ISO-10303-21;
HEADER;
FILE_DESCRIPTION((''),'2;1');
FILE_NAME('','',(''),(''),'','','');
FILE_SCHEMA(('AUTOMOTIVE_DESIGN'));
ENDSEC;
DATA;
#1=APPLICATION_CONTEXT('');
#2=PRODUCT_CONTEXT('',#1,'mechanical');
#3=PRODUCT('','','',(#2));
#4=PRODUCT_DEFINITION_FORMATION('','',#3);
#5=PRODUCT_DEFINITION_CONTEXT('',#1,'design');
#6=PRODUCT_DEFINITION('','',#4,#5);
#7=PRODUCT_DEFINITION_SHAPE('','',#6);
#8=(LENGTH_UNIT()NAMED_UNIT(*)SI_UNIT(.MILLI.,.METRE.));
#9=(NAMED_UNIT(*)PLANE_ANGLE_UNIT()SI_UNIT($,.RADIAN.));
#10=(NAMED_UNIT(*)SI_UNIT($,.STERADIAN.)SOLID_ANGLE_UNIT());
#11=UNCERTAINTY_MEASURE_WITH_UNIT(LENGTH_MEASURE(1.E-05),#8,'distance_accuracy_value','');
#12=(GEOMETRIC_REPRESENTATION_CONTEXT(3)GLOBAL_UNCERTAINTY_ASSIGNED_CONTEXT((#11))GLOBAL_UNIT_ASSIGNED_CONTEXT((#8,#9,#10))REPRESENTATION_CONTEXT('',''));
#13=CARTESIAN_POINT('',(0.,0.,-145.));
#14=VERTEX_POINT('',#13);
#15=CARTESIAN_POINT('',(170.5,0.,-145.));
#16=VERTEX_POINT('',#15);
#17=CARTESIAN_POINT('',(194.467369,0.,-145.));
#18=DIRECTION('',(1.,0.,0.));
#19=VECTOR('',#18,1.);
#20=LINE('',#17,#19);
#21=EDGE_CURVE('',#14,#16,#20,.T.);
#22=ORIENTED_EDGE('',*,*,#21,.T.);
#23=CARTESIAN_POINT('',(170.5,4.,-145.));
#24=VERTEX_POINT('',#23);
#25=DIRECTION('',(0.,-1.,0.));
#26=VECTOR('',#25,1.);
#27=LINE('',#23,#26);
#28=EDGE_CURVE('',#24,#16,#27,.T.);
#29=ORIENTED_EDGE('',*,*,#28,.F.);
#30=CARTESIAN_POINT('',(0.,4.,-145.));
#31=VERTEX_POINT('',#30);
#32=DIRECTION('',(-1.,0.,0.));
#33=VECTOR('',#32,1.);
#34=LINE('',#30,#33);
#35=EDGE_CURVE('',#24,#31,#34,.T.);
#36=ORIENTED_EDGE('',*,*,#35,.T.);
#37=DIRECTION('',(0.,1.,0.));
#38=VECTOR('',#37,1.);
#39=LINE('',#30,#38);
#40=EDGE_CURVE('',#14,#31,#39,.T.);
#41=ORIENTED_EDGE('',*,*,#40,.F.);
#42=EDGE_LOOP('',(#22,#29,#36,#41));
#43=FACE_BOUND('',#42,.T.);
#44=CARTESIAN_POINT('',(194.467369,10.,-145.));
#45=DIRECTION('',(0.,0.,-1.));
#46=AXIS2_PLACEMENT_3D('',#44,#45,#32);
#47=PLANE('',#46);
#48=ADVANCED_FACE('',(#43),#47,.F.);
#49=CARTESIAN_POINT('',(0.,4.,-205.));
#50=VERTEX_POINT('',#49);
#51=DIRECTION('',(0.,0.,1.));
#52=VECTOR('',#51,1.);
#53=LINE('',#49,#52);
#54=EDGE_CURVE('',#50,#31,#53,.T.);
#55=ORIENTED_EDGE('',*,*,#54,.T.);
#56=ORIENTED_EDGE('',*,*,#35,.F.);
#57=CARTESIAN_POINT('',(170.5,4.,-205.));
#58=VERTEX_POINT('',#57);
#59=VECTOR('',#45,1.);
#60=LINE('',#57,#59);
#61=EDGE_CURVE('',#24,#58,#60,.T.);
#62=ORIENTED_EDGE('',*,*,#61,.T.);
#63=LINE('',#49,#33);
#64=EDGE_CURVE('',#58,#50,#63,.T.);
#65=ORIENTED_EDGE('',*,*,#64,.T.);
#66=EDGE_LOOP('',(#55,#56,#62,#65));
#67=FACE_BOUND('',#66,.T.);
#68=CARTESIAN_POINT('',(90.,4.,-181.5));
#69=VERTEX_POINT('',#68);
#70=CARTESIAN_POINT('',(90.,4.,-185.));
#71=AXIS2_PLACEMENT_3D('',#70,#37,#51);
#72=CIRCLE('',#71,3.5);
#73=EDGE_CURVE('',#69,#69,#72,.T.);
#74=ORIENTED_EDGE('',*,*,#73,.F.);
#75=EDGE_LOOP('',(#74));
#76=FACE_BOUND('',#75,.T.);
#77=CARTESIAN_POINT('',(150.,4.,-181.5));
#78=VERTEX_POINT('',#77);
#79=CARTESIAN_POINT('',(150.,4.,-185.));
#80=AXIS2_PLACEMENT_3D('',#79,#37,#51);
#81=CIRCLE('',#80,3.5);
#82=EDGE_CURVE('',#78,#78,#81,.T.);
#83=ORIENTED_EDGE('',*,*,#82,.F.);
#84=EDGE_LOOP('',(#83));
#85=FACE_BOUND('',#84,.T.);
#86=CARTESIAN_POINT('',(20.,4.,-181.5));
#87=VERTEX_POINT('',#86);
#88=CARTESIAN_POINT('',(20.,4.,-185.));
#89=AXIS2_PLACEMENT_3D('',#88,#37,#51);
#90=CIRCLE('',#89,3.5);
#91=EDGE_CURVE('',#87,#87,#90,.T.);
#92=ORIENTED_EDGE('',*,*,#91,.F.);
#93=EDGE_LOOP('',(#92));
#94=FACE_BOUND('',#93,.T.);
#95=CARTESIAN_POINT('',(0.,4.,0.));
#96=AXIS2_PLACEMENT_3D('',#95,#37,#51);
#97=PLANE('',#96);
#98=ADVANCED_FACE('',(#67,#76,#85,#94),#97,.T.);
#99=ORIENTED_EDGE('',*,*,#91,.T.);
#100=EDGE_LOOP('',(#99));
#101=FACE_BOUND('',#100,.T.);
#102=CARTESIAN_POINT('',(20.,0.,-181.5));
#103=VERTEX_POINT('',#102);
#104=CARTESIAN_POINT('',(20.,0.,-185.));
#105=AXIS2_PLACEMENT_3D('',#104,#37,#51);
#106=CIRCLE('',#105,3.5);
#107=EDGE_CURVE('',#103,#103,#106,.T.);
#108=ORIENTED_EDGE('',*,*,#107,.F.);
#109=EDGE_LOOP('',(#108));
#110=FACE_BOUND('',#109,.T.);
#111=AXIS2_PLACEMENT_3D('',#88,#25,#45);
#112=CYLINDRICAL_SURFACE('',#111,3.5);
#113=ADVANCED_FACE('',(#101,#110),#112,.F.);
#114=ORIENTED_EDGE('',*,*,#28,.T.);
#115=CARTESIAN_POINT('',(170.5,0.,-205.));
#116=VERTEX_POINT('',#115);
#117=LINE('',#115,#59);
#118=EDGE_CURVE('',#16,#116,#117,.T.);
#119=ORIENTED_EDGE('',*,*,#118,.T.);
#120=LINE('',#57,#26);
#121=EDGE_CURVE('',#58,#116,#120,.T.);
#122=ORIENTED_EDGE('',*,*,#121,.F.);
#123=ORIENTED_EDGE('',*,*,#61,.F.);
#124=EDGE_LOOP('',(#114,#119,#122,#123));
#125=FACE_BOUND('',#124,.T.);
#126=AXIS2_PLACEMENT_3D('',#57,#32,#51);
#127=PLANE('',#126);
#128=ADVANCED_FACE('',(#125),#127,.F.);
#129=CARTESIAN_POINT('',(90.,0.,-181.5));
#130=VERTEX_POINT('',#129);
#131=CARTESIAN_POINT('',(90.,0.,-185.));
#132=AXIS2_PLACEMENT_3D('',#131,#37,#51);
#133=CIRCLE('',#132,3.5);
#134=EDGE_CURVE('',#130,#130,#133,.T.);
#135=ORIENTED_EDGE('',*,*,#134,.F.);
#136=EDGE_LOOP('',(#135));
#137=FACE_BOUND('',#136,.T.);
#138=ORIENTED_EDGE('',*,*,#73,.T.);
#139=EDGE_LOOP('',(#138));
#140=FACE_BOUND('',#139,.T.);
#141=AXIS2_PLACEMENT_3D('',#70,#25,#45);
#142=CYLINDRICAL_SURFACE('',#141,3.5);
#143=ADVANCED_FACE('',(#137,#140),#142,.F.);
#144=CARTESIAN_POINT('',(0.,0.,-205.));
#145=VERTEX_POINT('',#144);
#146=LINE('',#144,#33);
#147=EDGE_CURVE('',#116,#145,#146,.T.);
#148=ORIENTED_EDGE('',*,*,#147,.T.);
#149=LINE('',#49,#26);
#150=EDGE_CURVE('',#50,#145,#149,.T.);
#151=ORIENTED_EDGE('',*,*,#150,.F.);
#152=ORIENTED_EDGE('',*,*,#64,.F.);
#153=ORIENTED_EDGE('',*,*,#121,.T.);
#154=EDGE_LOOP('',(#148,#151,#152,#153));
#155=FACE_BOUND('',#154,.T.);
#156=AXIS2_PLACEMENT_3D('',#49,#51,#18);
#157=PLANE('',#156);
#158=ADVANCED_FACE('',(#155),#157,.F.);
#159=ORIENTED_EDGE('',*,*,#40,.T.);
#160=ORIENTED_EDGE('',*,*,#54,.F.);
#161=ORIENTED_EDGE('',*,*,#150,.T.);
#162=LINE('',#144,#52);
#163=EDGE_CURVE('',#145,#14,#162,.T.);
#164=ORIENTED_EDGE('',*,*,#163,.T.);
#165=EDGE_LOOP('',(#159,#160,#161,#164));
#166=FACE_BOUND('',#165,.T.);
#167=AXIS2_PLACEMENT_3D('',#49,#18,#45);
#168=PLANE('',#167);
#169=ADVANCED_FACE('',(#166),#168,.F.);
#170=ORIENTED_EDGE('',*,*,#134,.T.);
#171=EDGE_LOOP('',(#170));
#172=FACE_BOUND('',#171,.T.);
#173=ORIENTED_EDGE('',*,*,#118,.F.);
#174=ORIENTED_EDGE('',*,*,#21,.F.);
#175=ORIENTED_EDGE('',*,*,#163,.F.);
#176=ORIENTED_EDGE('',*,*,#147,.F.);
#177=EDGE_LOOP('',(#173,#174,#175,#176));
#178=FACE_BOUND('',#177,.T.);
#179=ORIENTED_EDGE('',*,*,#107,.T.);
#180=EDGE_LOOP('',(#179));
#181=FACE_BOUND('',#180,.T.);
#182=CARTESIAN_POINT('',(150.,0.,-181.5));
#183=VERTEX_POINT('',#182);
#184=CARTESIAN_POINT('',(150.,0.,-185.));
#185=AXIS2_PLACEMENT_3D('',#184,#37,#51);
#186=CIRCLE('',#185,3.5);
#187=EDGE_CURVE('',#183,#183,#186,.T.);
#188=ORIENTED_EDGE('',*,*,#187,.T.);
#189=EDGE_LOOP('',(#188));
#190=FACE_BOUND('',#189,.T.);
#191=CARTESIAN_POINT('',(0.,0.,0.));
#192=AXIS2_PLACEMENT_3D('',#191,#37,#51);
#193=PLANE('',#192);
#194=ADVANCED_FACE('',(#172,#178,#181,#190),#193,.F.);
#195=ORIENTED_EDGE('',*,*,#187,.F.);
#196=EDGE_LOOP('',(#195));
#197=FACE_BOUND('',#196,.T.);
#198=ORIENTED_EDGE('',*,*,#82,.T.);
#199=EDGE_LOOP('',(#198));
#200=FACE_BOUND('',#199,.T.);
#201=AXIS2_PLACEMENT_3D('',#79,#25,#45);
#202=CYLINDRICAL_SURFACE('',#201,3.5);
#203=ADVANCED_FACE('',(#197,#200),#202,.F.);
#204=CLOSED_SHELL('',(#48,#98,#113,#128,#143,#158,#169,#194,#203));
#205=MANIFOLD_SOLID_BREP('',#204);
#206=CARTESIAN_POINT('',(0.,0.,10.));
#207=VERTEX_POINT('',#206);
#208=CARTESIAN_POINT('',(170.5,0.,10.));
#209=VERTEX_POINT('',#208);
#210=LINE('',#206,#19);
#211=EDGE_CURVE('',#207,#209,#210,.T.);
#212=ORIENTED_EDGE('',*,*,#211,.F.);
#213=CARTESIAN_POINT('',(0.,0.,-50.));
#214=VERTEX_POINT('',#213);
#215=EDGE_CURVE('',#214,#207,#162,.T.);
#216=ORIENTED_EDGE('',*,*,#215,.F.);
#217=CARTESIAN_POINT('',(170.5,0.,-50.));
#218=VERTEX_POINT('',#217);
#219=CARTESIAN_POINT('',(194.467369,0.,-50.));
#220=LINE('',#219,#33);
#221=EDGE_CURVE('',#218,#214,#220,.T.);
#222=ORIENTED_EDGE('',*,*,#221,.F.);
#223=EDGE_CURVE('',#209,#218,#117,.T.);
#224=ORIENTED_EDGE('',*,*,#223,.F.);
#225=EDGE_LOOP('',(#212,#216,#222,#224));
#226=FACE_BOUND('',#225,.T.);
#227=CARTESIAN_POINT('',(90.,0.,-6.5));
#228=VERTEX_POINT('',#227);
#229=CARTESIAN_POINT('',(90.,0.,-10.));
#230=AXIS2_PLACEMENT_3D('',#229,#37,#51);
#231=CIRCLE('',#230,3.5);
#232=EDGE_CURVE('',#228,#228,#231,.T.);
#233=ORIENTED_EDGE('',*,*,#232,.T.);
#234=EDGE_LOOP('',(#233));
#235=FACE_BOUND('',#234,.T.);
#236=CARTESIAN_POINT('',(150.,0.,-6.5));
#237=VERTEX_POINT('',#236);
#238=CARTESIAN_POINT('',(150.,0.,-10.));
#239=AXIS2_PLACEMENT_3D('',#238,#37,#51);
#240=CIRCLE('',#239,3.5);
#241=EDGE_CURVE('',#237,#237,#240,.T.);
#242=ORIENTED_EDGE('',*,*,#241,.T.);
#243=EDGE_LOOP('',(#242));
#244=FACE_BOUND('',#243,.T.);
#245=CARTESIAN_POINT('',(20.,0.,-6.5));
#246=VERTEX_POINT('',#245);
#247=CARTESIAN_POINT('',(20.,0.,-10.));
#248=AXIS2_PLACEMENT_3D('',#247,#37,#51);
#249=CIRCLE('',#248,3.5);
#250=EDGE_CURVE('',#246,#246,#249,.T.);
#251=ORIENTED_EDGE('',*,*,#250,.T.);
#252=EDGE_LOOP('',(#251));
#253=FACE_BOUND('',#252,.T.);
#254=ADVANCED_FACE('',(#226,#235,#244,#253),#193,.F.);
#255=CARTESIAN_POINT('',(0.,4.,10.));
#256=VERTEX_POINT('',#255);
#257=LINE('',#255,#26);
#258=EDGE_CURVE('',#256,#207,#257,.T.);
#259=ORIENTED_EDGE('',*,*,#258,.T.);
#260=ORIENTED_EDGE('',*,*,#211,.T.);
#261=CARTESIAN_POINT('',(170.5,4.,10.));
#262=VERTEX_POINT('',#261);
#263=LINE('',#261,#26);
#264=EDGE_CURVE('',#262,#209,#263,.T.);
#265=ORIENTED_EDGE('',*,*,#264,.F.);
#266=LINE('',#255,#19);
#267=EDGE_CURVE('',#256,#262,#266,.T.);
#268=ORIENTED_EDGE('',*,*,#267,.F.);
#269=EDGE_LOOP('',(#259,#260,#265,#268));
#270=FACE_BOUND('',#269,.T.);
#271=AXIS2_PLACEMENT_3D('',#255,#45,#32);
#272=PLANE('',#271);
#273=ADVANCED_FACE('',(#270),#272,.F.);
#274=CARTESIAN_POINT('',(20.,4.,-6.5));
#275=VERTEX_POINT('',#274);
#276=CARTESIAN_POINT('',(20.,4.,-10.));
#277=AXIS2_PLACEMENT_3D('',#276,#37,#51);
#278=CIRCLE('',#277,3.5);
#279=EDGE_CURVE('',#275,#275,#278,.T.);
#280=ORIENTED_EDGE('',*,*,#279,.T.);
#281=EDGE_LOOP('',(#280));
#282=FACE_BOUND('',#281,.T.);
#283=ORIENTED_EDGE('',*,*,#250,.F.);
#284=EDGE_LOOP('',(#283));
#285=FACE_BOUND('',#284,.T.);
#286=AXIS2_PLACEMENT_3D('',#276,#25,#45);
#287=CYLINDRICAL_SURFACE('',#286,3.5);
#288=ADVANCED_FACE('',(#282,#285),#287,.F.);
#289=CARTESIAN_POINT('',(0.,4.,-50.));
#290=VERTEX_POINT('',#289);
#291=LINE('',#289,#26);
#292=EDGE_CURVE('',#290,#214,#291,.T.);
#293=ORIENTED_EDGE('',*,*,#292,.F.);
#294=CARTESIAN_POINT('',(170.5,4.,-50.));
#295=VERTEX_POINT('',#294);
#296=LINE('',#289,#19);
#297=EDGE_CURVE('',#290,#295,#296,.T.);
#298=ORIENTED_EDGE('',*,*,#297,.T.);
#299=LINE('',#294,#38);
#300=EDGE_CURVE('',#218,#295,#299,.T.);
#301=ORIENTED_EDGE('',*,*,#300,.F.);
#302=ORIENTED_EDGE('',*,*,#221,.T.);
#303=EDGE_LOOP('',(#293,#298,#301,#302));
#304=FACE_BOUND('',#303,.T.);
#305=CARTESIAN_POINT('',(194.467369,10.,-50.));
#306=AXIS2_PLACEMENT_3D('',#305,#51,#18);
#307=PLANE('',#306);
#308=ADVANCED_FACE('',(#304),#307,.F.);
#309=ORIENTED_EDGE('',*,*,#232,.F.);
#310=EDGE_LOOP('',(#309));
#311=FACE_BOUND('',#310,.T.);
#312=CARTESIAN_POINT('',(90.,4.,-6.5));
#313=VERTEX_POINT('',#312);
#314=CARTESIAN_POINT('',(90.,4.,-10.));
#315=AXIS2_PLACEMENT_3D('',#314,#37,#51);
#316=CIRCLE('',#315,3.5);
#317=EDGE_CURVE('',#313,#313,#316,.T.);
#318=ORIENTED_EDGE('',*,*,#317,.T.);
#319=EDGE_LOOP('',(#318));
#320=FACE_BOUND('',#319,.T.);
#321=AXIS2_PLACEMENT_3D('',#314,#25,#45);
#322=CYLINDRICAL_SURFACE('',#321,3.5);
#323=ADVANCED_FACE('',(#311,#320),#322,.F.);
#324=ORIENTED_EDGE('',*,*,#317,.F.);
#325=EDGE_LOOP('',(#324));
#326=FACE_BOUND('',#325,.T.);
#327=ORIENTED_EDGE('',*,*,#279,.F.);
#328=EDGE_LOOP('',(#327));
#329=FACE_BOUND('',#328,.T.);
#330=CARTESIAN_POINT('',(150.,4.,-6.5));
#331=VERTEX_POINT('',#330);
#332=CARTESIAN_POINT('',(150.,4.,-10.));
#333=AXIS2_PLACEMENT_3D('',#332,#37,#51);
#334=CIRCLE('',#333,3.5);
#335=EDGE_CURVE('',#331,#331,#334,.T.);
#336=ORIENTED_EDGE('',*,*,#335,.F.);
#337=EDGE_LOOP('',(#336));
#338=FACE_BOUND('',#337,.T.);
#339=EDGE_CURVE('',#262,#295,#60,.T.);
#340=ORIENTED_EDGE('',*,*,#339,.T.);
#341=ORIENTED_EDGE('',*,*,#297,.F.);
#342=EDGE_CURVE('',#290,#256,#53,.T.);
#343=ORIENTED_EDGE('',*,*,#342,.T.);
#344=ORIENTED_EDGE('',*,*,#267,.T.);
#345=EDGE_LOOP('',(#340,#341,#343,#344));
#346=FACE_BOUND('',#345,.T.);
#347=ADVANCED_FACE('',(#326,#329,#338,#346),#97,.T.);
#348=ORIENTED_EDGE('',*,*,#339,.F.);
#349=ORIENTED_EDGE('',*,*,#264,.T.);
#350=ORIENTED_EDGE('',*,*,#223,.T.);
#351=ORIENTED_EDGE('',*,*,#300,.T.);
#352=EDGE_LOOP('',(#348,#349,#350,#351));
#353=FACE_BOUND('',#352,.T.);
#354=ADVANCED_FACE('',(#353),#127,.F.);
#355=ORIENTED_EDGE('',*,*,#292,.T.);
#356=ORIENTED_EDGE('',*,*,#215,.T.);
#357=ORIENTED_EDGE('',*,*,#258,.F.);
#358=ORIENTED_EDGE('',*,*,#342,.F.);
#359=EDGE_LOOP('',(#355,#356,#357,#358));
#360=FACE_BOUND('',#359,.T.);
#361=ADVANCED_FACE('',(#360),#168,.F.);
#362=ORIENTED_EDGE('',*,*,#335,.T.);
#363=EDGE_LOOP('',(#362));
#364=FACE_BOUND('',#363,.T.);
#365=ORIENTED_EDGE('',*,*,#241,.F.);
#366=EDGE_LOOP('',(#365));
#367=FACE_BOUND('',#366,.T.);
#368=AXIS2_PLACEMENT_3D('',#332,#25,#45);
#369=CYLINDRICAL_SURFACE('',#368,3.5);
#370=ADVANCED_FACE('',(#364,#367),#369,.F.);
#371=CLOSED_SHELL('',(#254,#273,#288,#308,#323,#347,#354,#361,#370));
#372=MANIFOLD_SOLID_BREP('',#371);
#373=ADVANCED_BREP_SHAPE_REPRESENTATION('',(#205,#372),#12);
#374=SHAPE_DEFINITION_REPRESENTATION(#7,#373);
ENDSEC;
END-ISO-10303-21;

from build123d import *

# Parameters (mm, degrees)
SKETCH1_W           = 170.5
SKETCH1_H           = 215
SKETCH1_R           = 3.5
BOSS_EXTRUDE1_DEPTH = 4
SKETCH2_W           = 219.467368697
SKETCH2_H           = 95
CUT_EXTRUDE1_DEPTH  = 10


with BuildPart() as part:
    # Sketch1 → Boss-Extrude1 (new body)
    with BuildSketch(Plane(origin=(0, 0, 0), x_dir=(1, 0, 0), z_dir=(0, 1, 0))):
        with Locations((85.25, 97.5)):
            Rectangle(SKETCH1_W, SKETCH1_H)
        with Locations((20, 10)):
            Circle(SKETCH1_R, mode=Mode.SUBTRACT)
        with Locations((150, 10)):
            Circle(SKETCH1_R, mode=Mode.SUBTRACT)
        with Locations((90, 10)):
            Circle(SKETCH1_R, mode=Mode.SUBTRACT)
        with Locations((20, 185)):
            Circle(SKETCH1_R, mode=Mode.SUBTRACT)
        with Locations((90, 185)):
            Circle(SKETCH1_R, mode=Mode.SUBTRACT)
        with Locations((150, 185)):
            Circle(SKETCH1_R, mode=Mode.SUBTRACT)
    extrude(amount=BOSS_EXTRUDE1_DEPTH)

    # Sketch2 → Cut-Extrude1 (cut)
    with BuildSketch(Plane.XZ):
        with Locations((84.733684349, -97.5)):
            Rectangle(SKETCH2_W, SKETCH2_H)
    extrude(amount=-CUT_EXTRUDE1_DEPTH, mode=Mode.SUBTRACT)


solid = part.part
